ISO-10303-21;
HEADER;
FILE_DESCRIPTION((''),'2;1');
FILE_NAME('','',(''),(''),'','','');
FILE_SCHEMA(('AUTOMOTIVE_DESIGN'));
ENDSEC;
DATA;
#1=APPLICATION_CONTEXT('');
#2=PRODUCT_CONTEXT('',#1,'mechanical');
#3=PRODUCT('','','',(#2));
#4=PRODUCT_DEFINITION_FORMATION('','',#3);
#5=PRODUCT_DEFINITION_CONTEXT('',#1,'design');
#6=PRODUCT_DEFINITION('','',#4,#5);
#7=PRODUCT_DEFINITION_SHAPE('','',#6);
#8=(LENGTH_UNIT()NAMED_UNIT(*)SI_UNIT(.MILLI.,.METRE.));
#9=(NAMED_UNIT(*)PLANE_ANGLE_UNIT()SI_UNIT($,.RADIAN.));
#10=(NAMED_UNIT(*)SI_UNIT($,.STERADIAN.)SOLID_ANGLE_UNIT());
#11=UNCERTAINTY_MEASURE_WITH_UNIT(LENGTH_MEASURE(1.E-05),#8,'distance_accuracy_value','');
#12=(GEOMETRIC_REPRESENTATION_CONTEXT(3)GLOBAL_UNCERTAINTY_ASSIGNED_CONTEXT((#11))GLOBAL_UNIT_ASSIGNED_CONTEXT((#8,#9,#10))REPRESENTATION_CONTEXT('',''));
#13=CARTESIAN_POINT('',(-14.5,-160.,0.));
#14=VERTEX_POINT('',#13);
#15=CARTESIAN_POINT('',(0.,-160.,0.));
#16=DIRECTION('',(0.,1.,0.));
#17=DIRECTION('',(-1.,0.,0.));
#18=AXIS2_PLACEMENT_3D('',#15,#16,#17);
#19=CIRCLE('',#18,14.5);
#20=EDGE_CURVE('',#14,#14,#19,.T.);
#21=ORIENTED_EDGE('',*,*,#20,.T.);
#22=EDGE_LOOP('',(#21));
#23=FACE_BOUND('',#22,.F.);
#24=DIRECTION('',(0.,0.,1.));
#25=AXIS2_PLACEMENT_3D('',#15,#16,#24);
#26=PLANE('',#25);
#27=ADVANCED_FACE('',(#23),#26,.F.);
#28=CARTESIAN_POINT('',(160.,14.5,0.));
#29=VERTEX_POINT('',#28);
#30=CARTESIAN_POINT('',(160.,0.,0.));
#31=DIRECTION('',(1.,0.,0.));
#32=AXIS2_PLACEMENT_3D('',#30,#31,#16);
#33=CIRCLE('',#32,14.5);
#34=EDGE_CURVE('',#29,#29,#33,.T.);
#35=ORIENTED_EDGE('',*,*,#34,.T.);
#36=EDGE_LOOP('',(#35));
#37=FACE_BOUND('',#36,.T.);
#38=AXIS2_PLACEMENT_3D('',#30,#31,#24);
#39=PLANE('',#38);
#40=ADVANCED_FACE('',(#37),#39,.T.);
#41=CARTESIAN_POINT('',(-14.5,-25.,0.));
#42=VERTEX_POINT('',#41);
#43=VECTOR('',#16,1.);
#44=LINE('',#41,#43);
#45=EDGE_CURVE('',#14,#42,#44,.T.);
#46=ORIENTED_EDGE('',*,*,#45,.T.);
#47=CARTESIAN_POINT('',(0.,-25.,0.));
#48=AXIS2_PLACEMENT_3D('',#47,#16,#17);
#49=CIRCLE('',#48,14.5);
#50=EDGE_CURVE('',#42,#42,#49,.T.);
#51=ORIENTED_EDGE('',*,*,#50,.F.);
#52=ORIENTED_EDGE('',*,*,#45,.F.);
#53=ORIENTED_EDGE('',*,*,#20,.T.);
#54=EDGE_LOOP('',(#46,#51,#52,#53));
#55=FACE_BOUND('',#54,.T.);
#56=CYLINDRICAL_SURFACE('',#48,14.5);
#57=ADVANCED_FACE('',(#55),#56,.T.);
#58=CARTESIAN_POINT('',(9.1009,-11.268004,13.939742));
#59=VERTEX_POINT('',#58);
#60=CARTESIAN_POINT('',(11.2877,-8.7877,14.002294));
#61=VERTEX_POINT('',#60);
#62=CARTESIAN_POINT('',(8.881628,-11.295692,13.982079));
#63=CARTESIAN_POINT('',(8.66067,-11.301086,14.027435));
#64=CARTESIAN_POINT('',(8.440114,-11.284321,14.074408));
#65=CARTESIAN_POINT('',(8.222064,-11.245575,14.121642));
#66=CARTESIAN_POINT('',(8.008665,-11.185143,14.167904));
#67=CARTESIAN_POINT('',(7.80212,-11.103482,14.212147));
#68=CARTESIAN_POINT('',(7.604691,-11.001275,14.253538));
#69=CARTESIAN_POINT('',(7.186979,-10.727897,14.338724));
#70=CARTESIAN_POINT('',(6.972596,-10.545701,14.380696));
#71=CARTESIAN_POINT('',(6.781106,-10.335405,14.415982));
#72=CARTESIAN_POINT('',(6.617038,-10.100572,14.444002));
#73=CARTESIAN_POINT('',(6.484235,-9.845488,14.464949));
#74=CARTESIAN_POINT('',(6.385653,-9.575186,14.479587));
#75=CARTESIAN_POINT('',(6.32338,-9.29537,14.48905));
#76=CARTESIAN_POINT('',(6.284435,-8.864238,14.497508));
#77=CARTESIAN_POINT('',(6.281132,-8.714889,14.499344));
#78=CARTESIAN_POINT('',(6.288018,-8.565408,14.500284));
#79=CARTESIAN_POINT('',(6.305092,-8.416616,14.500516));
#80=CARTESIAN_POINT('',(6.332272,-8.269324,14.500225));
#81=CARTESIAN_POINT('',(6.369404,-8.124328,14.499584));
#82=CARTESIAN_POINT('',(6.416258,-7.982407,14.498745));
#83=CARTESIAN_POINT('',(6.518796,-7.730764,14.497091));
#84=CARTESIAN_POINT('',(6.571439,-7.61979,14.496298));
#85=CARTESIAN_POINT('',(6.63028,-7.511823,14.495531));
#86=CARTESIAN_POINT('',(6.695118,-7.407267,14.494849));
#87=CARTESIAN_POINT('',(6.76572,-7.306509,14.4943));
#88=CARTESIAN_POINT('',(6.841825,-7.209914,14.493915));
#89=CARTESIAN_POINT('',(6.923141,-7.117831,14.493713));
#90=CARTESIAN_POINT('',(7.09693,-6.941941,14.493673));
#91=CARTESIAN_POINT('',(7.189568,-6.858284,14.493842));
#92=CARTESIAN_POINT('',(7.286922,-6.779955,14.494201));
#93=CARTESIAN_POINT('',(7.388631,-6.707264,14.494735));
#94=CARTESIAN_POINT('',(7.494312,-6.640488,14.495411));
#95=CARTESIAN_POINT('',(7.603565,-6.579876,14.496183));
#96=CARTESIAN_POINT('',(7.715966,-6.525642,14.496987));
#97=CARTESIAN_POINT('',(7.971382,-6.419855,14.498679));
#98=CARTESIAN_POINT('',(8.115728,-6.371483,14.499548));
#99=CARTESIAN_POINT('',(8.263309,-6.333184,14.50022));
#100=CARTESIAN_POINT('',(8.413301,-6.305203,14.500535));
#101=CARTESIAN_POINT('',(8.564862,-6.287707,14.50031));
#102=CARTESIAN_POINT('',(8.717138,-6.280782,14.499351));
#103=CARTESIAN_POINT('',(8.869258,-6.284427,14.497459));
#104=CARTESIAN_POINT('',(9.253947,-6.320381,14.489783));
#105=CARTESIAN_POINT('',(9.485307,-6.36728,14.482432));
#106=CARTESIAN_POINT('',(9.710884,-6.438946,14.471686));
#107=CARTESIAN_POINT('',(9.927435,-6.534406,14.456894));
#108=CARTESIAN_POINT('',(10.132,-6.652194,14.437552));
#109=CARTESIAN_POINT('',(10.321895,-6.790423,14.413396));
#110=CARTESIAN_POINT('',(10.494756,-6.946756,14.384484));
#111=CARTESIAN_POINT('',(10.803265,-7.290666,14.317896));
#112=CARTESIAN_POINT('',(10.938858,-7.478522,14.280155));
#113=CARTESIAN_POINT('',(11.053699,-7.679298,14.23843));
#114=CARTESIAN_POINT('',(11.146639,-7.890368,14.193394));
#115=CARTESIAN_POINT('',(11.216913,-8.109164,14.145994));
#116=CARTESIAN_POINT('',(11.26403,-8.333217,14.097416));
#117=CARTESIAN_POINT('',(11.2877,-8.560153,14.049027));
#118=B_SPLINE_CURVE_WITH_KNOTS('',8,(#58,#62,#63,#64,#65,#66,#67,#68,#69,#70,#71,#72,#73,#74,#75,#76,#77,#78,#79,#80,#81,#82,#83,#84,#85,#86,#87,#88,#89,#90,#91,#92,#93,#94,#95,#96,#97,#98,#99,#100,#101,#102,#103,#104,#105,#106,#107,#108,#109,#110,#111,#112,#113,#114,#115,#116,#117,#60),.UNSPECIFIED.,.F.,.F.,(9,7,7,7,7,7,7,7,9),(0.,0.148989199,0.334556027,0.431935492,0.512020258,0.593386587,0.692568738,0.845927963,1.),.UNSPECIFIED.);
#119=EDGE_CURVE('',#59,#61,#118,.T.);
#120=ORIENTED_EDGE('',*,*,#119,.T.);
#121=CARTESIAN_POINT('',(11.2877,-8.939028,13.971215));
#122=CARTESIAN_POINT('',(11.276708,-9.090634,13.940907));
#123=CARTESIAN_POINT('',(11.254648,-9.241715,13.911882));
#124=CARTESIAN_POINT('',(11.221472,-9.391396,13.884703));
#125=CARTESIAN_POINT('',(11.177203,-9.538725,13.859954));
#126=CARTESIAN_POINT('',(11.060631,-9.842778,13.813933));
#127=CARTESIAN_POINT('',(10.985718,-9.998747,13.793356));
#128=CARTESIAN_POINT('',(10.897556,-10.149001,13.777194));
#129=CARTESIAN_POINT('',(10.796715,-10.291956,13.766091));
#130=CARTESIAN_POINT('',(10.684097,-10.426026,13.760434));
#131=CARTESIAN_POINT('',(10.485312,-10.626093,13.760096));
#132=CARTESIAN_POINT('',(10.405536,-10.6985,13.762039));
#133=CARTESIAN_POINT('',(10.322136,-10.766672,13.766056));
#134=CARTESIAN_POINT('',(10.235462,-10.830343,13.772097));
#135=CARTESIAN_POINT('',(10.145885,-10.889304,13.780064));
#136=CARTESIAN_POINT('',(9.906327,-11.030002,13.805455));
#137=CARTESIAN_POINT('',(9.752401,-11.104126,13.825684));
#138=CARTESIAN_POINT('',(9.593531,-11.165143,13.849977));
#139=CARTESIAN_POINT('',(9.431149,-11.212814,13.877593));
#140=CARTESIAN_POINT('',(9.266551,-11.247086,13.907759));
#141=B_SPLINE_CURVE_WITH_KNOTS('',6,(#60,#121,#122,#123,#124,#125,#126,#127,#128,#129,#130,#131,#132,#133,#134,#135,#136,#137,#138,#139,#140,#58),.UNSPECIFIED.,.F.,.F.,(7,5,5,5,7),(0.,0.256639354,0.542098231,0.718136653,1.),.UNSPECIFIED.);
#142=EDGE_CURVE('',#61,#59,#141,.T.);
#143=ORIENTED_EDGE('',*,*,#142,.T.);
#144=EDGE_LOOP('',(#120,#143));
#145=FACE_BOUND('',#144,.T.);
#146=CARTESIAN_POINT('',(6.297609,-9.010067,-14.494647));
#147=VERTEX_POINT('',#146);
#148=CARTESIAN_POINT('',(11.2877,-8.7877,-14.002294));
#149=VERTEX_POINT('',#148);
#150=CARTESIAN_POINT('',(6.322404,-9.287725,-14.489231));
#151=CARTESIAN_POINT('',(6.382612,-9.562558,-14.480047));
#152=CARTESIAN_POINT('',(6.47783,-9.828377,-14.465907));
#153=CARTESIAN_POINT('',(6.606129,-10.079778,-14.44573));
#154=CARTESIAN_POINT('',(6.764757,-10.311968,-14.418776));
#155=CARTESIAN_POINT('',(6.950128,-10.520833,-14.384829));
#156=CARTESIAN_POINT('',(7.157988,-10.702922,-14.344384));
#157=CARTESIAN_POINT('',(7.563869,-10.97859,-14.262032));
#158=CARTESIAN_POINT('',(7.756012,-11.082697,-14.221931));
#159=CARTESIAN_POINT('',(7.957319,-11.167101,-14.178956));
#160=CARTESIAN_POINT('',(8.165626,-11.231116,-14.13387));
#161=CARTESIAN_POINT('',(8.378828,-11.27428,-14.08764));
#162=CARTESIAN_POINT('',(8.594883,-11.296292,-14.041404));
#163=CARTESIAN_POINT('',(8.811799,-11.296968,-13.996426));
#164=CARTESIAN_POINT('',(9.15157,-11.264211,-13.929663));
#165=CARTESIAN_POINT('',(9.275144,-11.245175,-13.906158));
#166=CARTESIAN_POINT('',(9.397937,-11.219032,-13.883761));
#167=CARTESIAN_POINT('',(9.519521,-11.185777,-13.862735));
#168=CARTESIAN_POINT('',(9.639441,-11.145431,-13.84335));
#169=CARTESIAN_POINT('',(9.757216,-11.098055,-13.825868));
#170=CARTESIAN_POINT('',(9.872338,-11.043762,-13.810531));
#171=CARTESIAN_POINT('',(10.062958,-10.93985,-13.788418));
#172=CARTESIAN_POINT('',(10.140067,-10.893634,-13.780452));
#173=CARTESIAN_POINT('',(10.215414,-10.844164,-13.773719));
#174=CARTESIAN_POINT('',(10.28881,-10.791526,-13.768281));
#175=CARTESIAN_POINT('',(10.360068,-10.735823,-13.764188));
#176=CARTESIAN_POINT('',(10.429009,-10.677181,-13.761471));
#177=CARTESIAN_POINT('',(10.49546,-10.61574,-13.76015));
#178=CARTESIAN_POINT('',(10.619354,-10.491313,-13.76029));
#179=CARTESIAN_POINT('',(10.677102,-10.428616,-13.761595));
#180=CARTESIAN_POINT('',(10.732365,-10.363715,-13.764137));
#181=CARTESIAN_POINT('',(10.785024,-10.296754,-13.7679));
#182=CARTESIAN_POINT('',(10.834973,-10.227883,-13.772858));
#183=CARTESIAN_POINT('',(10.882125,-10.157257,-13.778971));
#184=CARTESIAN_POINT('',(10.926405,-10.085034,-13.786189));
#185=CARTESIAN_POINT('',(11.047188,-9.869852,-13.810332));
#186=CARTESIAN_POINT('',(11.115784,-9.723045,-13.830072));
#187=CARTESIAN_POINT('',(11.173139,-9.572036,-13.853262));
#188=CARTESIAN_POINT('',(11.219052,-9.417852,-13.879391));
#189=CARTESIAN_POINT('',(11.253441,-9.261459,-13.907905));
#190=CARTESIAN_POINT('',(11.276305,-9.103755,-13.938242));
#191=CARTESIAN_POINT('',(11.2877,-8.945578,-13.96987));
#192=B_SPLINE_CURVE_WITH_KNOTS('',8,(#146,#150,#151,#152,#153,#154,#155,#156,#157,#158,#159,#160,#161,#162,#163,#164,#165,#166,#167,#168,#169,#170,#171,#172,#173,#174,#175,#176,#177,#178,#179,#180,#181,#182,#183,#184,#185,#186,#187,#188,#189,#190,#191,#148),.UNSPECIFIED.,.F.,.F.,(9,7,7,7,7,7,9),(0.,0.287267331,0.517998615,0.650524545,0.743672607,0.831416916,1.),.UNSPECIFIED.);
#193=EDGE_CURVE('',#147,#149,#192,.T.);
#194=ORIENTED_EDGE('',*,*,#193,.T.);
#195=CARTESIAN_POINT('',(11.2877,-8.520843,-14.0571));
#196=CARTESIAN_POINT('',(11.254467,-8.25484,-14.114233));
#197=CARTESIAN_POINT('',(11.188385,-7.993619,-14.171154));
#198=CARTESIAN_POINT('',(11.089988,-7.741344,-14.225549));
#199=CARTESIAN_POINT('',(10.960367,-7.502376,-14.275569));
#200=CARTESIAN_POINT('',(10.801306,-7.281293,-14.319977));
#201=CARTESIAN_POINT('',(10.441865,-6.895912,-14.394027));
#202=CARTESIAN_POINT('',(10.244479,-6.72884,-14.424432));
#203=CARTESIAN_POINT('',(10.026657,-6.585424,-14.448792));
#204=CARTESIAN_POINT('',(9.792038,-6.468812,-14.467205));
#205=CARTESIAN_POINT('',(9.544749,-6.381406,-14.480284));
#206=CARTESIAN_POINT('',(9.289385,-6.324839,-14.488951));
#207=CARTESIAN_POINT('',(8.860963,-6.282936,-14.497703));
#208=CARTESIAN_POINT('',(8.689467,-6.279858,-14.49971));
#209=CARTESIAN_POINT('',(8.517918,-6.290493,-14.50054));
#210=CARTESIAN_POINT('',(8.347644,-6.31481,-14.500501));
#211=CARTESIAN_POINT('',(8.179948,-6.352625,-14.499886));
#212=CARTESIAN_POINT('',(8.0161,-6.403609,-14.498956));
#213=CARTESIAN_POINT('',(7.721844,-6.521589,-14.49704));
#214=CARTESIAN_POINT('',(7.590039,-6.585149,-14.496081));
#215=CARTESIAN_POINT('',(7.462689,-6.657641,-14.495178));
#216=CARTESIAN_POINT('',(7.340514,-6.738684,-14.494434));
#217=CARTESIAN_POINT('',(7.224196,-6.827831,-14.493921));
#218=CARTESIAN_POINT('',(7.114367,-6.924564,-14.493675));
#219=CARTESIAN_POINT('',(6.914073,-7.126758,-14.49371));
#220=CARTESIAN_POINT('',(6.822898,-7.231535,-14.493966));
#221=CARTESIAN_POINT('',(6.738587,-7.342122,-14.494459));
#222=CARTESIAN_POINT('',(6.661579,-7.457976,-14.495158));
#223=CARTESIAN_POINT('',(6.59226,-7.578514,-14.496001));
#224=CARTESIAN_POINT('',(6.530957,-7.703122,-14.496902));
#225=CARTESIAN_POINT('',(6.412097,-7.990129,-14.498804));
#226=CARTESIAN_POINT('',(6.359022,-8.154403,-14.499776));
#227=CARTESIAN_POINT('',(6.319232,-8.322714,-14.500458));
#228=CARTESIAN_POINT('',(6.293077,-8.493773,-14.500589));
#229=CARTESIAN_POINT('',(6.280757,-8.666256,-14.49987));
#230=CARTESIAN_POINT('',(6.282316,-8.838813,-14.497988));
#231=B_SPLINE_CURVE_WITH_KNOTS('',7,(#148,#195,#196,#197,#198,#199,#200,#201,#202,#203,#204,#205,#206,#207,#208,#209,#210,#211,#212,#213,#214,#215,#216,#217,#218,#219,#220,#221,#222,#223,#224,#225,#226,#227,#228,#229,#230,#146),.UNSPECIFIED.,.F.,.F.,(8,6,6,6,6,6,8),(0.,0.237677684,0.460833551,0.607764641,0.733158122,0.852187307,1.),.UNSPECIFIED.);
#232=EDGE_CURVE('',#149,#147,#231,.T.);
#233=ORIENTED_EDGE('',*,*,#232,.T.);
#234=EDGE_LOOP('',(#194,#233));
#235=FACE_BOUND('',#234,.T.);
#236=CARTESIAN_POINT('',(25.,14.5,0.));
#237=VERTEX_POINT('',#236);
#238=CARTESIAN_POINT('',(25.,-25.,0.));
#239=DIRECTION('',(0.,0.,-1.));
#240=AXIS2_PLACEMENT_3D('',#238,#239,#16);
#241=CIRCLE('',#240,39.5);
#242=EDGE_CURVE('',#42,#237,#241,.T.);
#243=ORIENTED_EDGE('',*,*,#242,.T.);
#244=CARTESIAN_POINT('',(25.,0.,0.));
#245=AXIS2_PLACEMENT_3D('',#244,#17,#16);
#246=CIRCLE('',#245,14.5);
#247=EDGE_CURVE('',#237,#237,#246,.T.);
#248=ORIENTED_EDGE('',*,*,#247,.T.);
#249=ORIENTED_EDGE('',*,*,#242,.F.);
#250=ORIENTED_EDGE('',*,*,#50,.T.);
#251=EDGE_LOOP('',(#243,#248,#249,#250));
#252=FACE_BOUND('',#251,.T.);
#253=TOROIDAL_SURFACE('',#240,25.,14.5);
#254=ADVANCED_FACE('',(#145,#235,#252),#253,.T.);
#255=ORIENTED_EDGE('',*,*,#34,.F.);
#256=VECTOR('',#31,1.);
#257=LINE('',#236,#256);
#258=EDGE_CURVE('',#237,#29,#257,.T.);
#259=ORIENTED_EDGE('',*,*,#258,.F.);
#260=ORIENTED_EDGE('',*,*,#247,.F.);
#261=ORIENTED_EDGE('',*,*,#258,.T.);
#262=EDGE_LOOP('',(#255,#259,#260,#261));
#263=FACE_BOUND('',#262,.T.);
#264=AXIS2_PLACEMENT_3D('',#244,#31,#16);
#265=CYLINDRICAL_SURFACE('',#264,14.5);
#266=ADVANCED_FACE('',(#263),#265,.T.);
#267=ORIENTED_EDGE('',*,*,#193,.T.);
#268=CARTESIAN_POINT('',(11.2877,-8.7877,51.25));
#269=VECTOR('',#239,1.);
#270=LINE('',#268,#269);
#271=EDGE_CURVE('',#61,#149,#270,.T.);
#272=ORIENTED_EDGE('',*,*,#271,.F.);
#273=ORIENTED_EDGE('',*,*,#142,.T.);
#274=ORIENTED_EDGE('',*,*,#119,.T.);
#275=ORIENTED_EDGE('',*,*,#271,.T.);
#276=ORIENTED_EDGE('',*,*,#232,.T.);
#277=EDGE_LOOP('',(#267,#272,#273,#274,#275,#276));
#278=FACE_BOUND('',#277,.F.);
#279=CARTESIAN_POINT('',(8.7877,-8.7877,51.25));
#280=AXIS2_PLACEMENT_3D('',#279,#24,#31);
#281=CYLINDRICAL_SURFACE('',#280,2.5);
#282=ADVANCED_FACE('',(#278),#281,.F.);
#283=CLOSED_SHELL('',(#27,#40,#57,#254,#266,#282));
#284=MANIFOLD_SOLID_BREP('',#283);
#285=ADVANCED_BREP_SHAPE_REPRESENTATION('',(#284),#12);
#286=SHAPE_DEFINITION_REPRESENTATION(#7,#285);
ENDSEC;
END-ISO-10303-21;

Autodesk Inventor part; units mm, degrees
ref_plane "XZ Plane" through (0, 0, 0) normal (0, 1, 0) x (-1, 0, 0)
sketch "Sketch1" plane through (0, 0, 0) normal (0, 0, 1) x (1, 0, 0)
  line L0 (25, 0) -> (160, 0)
  line L1 (0, -25) -> (0, -160)
  arc A0 (25, 0) -> (0, -25) centre (25, -25) ccw
  point P0 (0, 0)
ref_plane "Work Plane1" through (156.75, 0, 0) normal (1, 0, 0) x (0, 1, 0)
sketch "Sketch2" plane through (156.75, 0, 0) normal (1, 0, 0) x (0, 1, 0)
  circle A0 centre (0, 0) radius 14.5
  dimension "d5" = 29
sweep "Sweep1" add profiles "Sketch2" path "Sketch1"
ref_plane "Work Plane2" through (0, 0, 51.25) normal (0, 0, 1) x (1, 0, 0)
sketch "Sketch3" plane through (0, 0, 51.25) normal (0, 0, 1) x (1, 0, 0)
  circle A0 centre (8.7877, -8.7877) radius 2.5
extrude "Extrusion1" cut sketch "Sketch3" against normal through all
properties part number "L90roda"
